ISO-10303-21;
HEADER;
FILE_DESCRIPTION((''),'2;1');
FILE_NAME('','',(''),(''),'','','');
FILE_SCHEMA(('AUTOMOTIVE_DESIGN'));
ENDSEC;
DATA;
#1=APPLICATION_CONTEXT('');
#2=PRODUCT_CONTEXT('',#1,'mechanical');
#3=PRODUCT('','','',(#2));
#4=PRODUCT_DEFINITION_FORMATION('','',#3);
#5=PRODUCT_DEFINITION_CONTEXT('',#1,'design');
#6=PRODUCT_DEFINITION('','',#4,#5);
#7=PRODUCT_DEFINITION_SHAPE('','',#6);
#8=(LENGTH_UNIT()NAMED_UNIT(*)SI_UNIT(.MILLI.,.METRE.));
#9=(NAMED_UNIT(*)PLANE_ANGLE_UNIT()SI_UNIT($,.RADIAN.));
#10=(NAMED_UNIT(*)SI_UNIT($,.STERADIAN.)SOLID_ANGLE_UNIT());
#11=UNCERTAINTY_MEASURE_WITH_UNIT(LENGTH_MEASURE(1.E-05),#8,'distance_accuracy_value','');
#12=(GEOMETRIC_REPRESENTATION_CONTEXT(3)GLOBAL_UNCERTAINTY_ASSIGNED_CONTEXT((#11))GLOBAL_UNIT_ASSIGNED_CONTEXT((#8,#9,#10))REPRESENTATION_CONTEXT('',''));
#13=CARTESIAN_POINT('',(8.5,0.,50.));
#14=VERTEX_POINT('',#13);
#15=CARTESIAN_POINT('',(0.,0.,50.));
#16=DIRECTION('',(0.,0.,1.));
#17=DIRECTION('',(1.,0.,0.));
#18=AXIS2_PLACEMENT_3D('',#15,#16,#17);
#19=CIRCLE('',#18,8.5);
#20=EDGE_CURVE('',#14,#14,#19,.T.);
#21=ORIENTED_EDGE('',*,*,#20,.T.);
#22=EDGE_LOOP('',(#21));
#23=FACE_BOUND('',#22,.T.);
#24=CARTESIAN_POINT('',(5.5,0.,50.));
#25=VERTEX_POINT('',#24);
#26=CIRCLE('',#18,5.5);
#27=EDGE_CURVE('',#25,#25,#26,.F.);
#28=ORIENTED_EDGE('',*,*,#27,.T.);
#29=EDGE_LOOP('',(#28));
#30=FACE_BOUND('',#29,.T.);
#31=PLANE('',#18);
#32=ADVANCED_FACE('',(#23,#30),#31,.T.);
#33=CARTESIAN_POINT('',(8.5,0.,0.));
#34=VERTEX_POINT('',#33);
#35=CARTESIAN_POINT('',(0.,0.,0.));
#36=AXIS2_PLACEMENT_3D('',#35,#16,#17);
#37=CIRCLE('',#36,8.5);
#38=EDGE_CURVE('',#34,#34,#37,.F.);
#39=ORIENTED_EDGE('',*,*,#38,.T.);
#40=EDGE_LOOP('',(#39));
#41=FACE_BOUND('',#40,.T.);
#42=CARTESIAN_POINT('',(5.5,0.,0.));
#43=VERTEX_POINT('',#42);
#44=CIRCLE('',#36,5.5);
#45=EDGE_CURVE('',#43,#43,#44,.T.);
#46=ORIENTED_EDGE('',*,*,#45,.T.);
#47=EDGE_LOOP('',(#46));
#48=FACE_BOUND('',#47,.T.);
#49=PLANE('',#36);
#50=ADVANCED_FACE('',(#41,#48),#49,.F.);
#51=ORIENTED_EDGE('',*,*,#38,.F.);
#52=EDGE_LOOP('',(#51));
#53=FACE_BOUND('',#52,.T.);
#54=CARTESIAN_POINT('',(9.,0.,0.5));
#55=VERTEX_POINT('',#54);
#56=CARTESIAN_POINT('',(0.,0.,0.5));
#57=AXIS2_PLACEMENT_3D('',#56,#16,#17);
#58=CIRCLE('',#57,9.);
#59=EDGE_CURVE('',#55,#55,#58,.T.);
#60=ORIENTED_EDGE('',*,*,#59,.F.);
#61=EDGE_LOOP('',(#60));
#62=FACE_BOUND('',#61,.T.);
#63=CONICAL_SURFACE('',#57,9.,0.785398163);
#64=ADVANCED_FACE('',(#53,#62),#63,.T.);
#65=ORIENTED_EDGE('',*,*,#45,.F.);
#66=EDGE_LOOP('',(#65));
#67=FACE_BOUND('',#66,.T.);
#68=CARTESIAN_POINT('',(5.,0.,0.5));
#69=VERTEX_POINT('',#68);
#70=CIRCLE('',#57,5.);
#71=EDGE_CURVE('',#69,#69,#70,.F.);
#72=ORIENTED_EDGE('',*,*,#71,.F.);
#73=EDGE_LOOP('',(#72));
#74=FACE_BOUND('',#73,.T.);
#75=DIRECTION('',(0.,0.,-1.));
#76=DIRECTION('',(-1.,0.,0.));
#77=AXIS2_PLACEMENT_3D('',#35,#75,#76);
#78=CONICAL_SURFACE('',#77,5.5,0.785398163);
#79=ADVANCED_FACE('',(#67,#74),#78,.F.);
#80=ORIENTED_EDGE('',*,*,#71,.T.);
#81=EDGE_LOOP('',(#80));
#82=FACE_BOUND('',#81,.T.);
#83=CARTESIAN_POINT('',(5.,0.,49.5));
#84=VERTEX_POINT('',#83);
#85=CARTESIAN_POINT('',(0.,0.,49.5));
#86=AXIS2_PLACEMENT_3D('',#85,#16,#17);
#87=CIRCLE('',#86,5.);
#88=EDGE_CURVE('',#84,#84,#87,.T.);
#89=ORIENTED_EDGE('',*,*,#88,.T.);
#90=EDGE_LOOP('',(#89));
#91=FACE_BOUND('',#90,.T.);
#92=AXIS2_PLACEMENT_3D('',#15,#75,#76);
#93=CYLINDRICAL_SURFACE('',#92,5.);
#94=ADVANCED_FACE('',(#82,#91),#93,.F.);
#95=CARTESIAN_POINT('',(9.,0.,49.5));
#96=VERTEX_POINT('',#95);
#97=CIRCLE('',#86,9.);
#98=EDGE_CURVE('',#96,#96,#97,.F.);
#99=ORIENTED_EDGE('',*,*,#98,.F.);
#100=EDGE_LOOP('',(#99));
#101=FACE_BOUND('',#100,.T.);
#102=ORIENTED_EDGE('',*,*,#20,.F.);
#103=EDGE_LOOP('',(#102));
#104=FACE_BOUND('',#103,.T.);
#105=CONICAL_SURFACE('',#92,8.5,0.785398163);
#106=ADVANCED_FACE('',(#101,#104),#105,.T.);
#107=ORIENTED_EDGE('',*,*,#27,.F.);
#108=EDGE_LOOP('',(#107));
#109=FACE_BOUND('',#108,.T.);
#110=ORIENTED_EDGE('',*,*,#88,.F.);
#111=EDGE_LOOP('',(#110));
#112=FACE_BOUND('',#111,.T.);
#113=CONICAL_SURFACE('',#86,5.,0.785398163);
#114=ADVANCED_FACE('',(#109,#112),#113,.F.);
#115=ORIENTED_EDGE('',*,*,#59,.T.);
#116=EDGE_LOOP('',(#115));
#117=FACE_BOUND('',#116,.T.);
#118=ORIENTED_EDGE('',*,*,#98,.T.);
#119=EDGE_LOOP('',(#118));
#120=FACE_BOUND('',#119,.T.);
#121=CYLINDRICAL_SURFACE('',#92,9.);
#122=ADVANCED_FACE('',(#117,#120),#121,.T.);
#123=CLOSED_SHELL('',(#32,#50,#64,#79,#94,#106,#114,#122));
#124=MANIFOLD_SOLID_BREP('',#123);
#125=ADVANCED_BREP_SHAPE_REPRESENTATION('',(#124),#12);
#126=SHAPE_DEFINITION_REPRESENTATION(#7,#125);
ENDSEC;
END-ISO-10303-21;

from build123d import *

# Parameters (mm, degrees)
SKETCH1_R           = 9
SKETCH1_R_2         = 5
BOSS_EXTRUDE1_DEPTH = 50
CHAMFER1_SIZE       = 0.5


with BuildPart() as part:
    # Sketch1 → Boss-Extrude1 (new body)
    with BuildSketch(Plane.XY):
        Circle(SKETCH1_R)
        Circle(SKETCH1_R_2, mode=Mode.SUBTRACT)
    extrude(amount=BOSS_EXTRUDE1_DEPTH)

    # Chamfer1
    chamfer1_edges = [part.edges().sort_by_distance(p)[0] for p in [
        (-9, 0, 0),
        (-9, 0, 50),
        (-5, 0, 0),
        (-5, 0, 50),
    ]]
    chamfer(chamfer1_edges, length=CHAMFER1_SIZE)


solid = part.part
